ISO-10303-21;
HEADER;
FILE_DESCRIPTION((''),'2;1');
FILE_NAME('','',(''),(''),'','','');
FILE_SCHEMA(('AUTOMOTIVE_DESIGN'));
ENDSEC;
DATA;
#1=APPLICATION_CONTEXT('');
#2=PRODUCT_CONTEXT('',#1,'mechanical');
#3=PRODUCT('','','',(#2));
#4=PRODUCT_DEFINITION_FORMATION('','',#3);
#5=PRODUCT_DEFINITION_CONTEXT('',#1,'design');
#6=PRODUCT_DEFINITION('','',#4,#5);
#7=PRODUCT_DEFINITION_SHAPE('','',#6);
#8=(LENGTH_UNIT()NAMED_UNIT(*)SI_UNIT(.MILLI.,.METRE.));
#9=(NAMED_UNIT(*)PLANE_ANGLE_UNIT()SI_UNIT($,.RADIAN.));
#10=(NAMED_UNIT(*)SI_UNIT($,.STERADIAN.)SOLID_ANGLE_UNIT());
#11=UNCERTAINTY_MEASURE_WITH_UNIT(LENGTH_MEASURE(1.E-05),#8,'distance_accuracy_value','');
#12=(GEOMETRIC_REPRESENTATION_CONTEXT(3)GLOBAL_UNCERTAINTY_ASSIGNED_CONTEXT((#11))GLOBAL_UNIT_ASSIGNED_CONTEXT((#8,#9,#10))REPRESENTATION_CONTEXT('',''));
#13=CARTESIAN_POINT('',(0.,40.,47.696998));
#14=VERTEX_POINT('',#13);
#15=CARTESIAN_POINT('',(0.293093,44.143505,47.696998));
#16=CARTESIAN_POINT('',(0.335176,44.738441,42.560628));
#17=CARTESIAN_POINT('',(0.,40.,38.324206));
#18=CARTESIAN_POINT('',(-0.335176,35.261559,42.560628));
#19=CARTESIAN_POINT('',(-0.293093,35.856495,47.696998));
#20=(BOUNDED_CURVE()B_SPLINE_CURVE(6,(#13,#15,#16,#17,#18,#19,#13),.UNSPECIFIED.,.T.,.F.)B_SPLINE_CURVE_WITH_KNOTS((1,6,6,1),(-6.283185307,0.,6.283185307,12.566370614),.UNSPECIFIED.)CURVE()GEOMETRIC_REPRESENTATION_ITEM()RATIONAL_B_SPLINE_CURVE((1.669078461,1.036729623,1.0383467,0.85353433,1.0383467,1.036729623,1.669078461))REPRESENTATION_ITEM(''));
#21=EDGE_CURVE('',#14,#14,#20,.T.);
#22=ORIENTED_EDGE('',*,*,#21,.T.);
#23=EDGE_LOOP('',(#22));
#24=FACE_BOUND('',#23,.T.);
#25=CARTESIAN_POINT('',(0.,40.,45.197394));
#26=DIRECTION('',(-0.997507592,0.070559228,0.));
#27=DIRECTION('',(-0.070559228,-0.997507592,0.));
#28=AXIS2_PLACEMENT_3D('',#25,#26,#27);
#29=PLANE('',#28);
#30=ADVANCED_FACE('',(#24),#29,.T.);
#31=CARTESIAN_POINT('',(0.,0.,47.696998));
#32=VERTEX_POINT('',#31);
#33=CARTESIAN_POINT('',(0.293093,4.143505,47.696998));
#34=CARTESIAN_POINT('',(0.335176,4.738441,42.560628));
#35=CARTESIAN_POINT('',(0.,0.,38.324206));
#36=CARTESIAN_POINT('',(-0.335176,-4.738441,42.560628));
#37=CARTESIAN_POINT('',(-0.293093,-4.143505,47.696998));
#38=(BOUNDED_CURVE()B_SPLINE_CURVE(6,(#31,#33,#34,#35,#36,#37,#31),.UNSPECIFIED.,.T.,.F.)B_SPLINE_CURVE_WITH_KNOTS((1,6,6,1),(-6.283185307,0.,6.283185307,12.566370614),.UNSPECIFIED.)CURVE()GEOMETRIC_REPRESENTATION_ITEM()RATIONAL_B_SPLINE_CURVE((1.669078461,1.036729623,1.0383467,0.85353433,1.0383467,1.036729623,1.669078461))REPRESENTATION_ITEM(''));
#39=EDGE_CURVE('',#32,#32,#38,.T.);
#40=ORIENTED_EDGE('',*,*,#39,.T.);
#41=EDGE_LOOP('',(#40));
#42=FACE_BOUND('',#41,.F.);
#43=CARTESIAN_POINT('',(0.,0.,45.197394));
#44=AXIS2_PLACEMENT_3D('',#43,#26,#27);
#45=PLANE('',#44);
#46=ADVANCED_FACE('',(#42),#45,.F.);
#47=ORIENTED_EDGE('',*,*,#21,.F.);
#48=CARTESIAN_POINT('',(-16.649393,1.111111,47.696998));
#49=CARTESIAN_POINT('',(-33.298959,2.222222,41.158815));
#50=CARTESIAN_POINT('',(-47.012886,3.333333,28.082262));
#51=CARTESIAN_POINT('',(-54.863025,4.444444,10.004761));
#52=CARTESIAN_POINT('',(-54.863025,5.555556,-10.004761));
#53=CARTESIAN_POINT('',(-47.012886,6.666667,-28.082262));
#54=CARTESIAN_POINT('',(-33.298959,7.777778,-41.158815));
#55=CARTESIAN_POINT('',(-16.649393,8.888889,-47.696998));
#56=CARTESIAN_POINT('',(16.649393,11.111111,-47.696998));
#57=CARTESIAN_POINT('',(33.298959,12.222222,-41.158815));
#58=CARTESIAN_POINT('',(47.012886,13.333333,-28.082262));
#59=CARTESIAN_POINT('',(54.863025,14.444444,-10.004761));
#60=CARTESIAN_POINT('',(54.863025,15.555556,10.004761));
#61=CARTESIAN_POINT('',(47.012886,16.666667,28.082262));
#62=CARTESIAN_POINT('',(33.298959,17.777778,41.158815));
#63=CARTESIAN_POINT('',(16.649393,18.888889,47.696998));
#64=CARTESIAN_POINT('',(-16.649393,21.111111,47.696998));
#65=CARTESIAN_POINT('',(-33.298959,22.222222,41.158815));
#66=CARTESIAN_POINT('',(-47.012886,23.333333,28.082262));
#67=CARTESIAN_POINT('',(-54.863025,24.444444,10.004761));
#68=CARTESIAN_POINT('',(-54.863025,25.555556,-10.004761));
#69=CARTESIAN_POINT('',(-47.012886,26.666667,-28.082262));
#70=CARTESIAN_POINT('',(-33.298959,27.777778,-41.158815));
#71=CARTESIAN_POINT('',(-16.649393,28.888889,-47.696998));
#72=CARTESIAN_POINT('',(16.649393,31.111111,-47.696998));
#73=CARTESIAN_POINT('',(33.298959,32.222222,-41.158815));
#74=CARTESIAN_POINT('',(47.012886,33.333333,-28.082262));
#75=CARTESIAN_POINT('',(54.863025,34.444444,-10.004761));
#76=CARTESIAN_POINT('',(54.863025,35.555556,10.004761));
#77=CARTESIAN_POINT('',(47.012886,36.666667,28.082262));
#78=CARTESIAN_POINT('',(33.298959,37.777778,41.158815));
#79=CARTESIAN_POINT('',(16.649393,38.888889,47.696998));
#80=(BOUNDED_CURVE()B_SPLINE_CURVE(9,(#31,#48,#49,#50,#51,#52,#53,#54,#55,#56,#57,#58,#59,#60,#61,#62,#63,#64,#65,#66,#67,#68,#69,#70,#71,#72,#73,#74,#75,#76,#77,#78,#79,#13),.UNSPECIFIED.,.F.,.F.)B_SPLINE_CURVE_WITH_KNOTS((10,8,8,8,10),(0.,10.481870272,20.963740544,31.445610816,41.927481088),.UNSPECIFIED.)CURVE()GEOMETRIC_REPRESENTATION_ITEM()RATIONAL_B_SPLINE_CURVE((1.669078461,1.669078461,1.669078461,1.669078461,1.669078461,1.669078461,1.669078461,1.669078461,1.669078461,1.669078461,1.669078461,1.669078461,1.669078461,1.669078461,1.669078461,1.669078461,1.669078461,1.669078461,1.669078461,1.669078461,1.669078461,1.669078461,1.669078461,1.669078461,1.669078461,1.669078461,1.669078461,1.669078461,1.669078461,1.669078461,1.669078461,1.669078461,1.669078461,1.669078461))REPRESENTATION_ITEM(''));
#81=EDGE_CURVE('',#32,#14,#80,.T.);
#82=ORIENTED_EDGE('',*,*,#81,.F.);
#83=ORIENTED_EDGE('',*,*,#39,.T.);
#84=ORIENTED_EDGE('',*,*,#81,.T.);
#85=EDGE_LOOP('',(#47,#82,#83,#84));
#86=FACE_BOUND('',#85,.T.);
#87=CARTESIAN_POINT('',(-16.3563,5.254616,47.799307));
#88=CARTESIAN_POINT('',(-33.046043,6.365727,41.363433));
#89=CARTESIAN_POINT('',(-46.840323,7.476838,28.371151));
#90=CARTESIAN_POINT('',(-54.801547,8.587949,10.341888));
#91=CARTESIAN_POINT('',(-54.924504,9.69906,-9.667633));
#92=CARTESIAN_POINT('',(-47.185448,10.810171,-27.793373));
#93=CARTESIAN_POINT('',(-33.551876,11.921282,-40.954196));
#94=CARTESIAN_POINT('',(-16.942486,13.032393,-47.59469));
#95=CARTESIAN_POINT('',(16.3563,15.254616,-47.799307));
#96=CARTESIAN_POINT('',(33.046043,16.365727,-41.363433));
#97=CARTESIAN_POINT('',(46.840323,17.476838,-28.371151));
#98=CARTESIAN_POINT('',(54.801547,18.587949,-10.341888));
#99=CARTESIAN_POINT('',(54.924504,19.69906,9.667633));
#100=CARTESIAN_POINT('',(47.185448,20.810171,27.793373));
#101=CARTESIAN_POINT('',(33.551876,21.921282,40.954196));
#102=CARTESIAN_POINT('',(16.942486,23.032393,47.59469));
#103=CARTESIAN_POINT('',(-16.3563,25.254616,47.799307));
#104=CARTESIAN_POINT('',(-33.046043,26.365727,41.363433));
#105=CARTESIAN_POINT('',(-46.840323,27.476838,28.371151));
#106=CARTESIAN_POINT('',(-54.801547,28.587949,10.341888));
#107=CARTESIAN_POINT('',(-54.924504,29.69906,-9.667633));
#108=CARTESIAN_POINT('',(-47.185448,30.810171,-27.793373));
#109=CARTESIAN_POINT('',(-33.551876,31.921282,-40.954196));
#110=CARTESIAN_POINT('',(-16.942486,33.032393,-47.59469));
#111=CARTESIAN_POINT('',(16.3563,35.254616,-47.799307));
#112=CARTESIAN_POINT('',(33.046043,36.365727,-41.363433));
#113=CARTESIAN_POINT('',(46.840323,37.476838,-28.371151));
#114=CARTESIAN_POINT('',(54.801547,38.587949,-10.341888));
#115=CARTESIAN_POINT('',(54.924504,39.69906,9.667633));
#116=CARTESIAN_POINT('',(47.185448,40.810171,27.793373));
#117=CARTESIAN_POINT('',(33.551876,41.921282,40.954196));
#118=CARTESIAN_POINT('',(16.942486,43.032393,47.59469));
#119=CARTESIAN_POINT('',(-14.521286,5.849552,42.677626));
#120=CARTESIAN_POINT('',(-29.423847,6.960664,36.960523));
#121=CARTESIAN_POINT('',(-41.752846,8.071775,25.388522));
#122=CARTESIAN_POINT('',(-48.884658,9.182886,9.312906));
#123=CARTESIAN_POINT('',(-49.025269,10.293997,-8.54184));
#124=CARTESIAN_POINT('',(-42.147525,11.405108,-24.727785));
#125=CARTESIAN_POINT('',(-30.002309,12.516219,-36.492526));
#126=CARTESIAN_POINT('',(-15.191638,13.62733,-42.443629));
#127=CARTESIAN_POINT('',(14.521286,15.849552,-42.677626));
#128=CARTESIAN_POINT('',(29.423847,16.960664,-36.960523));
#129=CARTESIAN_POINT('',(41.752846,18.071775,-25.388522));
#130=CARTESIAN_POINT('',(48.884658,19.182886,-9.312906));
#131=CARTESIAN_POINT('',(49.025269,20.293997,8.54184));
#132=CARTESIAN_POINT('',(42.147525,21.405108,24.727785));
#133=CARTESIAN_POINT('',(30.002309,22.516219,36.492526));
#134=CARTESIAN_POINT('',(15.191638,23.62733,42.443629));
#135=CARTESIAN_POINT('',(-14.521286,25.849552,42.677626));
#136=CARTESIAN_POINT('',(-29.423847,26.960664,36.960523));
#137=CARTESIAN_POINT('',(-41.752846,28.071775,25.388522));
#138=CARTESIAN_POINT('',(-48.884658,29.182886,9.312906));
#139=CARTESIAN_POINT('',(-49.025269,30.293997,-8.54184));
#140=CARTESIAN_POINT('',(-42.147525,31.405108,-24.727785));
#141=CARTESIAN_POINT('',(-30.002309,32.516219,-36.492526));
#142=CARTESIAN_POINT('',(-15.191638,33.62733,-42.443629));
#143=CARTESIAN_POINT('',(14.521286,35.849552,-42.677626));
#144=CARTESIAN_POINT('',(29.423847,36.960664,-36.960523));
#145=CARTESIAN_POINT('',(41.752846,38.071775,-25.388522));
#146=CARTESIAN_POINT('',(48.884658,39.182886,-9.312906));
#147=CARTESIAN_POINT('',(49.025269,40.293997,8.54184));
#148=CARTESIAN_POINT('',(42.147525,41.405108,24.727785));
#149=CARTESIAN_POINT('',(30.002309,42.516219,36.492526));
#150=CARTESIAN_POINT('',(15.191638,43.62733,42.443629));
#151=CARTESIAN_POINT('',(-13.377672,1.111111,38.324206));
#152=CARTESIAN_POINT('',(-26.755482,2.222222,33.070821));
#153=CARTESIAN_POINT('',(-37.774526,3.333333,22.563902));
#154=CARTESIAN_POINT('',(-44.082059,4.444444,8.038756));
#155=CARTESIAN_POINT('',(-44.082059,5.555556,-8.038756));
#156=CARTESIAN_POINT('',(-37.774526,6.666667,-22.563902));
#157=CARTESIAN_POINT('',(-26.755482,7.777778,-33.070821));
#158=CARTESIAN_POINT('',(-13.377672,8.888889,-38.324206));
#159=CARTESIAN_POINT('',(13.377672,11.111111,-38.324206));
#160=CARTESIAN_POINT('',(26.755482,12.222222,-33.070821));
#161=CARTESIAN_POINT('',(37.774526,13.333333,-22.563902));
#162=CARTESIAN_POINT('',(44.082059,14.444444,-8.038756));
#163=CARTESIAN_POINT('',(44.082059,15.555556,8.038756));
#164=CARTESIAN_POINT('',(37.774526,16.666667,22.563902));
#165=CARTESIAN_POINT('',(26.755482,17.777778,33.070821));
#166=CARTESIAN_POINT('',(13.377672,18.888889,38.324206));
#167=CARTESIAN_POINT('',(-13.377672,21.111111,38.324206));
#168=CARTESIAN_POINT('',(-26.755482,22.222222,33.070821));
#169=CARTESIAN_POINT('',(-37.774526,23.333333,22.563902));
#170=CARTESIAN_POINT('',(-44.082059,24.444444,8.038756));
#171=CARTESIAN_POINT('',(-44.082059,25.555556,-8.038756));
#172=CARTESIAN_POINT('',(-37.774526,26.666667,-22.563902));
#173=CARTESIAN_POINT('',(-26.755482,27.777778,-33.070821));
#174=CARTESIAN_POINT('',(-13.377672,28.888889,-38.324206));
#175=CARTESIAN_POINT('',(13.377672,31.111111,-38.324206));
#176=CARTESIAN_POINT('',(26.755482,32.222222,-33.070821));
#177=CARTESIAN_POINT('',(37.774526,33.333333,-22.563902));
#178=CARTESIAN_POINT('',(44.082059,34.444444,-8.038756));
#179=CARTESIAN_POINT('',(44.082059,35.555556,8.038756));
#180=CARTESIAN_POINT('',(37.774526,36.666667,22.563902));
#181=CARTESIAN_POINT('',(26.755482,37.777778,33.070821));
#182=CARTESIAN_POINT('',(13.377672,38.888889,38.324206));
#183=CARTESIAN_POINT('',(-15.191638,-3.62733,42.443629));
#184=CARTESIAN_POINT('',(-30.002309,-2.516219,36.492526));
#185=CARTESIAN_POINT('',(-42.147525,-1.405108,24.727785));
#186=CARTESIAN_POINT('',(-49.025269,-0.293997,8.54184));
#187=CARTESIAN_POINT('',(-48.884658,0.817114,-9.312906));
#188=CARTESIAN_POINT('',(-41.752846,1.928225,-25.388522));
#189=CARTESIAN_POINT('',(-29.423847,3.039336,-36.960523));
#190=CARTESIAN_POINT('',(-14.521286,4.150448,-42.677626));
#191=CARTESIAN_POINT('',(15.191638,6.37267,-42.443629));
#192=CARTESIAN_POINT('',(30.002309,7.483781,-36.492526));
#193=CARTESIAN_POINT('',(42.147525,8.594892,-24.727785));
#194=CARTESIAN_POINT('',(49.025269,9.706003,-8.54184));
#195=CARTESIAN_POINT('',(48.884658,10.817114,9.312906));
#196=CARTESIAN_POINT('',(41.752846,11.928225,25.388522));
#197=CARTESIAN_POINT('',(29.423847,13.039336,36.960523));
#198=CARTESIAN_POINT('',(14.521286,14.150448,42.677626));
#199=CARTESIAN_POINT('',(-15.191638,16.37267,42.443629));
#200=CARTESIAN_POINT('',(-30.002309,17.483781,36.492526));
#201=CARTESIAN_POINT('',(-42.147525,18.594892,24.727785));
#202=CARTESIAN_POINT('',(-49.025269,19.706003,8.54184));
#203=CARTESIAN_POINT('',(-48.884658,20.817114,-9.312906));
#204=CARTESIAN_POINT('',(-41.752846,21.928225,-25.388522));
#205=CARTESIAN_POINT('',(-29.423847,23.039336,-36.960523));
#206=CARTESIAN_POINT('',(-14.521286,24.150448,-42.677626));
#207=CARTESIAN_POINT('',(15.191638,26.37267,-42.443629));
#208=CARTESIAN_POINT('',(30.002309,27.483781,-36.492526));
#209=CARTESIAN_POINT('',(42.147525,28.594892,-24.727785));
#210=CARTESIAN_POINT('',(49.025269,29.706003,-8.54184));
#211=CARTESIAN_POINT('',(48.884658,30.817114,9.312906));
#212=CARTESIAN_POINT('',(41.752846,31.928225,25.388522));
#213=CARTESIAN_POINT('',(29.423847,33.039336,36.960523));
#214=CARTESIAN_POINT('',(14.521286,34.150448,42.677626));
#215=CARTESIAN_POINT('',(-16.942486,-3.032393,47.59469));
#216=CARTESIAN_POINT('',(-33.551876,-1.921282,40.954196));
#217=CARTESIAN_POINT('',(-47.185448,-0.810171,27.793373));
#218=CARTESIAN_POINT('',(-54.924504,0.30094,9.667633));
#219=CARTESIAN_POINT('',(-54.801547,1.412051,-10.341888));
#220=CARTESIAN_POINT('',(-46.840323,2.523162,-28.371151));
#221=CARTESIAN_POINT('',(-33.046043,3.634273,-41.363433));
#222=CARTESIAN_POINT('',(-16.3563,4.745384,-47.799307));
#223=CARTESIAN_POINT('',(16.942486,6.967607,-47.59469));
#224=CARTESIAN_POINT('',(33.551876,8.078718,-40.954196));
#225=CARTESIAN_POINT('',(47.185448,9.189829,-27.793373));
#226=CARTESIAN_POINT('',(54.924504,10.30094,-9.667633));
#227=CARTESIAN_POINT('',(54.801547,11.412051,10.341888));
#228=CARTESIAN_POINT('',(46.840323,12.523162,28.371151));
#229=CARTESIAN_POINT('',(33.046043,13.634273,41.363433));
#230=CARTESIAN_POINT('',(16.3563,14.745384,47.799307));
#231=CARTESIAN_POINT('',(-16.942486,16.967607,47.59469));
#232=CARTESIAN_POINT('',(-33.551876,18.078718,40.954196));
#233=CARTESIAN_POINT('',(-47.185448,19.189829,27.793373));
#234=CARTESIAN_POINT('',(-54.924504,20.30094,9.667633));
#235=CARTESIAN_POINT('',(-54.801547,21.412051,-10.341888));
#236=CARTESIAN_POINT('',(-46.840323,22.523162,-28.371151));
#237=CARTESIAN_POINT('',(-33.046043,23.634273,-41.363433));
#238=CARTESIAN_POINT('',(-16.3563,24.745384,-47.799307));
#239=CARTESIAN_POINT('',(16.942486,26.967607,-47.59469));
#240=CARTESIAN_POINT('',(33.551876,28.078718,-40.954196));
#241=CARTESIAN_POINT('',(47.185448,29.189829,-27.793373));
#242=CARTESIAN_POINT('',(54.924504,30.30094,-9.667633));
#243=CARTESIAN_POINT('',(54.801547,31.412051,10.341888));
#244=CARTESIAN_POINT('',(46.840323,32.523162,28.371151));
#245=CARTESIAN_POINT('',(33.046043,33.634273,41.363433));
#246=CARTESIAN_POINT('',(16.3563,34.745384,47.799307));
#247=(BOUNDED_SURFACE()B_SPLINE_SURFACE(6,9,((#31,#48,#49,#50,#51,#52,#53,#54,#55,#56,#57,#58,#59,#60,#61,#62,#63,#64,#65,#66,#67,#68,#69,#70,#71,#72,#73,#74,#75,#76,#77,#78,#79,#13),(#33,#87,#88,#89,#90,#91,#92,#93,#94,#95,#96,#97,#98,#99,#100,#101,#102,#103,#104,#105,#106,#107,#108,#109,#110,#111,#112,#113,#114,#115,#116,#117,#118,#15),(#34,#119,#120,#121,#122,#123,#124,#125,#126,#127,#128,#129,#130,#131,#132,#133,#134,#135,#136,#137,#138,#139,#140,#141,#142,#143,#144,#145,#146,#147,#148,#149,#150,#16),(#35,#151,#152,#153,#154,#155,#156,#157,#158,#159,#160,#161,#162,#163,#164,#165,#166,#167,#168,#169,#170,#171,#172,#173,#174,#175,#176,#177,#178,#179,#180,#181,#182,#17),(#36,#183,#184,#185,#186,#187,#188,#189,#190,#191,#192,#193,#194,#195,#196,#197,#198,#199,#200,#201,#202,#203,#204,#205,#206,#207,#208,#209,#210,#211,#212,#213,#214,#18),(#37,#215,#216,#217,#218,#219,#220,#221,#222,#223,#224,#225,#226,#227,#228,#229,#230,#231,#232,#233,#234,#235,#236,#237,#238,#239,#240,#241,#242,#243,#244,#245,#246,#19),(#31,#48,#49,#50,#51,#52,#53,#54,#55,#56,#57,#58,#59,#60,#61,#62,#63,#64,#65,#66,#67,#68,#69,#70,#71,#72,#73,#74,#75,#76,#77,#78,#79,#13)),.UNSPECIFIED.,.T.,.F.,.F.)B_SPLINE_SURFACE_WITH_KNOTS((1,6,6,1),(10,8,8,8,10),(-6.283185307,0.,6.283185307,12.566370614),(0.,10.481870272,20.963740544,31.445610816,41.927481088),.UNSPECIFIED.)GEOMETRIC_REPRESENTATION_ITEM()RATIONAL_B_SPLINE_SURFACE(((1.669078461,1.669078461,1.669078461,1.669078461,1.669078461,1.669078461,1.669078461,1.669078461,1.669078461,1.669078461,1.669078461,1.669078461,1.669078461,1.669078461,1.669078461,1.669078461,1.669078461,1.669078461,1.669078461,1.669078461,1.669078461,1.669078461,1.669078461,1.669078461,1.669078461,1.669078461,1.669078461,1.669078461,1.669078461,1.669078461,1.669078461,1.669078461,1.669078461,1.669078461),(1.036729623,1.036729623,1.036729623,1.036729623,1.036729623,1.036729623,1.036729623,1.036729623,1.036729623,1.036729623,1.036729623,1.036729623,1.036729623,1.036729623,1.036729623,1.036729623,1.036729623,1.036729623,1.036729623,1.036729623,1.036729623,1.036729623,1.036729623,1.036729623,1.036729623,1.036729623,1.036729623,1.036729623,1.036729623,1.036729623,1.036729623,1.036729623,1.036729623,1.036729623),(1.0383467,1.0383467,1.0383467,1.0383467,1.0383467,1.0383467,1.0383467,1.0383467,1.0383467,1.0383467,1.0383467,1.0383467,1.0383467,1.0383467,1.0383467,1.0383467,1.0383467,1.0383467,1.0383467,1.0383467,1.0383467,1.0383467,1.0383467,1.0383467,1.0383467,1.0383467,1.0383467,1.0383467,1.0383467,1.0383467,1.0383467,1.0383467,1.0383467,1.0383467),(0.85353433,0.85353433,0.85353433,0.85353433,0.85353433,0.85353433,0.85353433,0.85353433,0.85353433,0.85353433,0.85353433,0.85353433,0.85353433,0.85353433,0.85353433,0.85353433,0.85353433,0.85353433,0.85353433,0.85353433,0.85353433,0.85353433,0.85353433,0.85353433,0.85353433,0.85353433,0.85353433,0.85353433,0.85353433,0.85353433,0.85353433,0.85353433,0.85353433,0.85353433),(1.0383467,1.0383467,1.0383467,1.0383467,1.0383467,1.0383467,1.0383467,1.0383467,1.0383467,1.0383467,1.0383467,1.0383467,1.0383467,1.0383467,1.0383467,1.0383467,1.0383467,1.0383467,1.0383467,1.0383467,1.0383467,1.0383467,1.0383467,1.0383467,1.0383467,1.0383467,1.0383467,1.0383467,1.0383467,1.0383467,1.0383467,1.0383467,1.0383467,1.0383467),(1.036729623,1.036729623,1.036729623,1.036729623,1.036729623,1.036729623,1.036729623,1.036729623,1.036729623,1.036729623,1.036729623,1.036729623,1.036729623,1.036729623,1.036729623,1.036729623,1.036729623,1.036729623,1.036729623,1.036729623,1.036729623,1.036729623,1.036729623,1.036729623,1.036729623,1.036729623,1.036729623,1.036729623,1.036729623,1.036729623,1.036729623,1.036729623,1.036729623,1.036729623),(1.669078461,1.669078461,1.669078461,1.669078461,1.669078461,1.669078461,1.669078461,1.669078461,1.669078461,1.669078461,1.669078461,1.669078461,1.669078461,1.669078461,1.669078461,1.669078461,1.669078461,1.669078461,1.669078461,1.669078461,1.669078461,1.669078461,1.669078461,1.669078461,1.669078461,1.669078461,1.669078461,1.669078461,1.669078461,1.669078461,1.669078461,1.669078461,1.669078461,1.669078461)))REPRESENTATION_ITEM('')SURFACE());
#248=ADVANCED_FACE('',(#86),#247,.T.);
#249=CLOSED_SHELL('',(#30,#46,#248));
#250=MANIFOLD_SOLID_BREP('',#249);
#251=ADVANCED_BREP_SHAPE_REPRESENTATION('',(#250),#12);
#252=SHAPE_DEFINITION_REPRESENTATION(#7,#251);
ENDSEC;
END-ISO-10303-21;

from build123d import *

# Parameters (mm, degrees)
SWEEP_1_PITCH  = 20
SWEEP_1_HEIGHT = 40
SWEEP_1_RADIUS = 45
SKETCH_3_R     = 2.5


with BuildPart() as part:
    # По траектории1: sweep along a helix
    with BuildLine() as sweep_1_path:
        Helix(SWEEP_1_PITCH, SWEEP_1_HEIGHT, SWEEP_1_RADIUS, center=(0, 0, 0), direction=(0, 1, 0), lefthand=True)
    # Эскиз3 → По траектории1 (sweep)
    with BuildSketch(Plane(origin=(0, 0, 45), x_dir=(0, 0, 1), z_dir=(-0.9975075915916564, 0.07055922843266814, 0))):
        with Locations((0.196998306, 0)):
            Circle(SKETCH_3_R)
    sweep(path=sweep_1_path.line, is_frenet=True)


solid = part.part
